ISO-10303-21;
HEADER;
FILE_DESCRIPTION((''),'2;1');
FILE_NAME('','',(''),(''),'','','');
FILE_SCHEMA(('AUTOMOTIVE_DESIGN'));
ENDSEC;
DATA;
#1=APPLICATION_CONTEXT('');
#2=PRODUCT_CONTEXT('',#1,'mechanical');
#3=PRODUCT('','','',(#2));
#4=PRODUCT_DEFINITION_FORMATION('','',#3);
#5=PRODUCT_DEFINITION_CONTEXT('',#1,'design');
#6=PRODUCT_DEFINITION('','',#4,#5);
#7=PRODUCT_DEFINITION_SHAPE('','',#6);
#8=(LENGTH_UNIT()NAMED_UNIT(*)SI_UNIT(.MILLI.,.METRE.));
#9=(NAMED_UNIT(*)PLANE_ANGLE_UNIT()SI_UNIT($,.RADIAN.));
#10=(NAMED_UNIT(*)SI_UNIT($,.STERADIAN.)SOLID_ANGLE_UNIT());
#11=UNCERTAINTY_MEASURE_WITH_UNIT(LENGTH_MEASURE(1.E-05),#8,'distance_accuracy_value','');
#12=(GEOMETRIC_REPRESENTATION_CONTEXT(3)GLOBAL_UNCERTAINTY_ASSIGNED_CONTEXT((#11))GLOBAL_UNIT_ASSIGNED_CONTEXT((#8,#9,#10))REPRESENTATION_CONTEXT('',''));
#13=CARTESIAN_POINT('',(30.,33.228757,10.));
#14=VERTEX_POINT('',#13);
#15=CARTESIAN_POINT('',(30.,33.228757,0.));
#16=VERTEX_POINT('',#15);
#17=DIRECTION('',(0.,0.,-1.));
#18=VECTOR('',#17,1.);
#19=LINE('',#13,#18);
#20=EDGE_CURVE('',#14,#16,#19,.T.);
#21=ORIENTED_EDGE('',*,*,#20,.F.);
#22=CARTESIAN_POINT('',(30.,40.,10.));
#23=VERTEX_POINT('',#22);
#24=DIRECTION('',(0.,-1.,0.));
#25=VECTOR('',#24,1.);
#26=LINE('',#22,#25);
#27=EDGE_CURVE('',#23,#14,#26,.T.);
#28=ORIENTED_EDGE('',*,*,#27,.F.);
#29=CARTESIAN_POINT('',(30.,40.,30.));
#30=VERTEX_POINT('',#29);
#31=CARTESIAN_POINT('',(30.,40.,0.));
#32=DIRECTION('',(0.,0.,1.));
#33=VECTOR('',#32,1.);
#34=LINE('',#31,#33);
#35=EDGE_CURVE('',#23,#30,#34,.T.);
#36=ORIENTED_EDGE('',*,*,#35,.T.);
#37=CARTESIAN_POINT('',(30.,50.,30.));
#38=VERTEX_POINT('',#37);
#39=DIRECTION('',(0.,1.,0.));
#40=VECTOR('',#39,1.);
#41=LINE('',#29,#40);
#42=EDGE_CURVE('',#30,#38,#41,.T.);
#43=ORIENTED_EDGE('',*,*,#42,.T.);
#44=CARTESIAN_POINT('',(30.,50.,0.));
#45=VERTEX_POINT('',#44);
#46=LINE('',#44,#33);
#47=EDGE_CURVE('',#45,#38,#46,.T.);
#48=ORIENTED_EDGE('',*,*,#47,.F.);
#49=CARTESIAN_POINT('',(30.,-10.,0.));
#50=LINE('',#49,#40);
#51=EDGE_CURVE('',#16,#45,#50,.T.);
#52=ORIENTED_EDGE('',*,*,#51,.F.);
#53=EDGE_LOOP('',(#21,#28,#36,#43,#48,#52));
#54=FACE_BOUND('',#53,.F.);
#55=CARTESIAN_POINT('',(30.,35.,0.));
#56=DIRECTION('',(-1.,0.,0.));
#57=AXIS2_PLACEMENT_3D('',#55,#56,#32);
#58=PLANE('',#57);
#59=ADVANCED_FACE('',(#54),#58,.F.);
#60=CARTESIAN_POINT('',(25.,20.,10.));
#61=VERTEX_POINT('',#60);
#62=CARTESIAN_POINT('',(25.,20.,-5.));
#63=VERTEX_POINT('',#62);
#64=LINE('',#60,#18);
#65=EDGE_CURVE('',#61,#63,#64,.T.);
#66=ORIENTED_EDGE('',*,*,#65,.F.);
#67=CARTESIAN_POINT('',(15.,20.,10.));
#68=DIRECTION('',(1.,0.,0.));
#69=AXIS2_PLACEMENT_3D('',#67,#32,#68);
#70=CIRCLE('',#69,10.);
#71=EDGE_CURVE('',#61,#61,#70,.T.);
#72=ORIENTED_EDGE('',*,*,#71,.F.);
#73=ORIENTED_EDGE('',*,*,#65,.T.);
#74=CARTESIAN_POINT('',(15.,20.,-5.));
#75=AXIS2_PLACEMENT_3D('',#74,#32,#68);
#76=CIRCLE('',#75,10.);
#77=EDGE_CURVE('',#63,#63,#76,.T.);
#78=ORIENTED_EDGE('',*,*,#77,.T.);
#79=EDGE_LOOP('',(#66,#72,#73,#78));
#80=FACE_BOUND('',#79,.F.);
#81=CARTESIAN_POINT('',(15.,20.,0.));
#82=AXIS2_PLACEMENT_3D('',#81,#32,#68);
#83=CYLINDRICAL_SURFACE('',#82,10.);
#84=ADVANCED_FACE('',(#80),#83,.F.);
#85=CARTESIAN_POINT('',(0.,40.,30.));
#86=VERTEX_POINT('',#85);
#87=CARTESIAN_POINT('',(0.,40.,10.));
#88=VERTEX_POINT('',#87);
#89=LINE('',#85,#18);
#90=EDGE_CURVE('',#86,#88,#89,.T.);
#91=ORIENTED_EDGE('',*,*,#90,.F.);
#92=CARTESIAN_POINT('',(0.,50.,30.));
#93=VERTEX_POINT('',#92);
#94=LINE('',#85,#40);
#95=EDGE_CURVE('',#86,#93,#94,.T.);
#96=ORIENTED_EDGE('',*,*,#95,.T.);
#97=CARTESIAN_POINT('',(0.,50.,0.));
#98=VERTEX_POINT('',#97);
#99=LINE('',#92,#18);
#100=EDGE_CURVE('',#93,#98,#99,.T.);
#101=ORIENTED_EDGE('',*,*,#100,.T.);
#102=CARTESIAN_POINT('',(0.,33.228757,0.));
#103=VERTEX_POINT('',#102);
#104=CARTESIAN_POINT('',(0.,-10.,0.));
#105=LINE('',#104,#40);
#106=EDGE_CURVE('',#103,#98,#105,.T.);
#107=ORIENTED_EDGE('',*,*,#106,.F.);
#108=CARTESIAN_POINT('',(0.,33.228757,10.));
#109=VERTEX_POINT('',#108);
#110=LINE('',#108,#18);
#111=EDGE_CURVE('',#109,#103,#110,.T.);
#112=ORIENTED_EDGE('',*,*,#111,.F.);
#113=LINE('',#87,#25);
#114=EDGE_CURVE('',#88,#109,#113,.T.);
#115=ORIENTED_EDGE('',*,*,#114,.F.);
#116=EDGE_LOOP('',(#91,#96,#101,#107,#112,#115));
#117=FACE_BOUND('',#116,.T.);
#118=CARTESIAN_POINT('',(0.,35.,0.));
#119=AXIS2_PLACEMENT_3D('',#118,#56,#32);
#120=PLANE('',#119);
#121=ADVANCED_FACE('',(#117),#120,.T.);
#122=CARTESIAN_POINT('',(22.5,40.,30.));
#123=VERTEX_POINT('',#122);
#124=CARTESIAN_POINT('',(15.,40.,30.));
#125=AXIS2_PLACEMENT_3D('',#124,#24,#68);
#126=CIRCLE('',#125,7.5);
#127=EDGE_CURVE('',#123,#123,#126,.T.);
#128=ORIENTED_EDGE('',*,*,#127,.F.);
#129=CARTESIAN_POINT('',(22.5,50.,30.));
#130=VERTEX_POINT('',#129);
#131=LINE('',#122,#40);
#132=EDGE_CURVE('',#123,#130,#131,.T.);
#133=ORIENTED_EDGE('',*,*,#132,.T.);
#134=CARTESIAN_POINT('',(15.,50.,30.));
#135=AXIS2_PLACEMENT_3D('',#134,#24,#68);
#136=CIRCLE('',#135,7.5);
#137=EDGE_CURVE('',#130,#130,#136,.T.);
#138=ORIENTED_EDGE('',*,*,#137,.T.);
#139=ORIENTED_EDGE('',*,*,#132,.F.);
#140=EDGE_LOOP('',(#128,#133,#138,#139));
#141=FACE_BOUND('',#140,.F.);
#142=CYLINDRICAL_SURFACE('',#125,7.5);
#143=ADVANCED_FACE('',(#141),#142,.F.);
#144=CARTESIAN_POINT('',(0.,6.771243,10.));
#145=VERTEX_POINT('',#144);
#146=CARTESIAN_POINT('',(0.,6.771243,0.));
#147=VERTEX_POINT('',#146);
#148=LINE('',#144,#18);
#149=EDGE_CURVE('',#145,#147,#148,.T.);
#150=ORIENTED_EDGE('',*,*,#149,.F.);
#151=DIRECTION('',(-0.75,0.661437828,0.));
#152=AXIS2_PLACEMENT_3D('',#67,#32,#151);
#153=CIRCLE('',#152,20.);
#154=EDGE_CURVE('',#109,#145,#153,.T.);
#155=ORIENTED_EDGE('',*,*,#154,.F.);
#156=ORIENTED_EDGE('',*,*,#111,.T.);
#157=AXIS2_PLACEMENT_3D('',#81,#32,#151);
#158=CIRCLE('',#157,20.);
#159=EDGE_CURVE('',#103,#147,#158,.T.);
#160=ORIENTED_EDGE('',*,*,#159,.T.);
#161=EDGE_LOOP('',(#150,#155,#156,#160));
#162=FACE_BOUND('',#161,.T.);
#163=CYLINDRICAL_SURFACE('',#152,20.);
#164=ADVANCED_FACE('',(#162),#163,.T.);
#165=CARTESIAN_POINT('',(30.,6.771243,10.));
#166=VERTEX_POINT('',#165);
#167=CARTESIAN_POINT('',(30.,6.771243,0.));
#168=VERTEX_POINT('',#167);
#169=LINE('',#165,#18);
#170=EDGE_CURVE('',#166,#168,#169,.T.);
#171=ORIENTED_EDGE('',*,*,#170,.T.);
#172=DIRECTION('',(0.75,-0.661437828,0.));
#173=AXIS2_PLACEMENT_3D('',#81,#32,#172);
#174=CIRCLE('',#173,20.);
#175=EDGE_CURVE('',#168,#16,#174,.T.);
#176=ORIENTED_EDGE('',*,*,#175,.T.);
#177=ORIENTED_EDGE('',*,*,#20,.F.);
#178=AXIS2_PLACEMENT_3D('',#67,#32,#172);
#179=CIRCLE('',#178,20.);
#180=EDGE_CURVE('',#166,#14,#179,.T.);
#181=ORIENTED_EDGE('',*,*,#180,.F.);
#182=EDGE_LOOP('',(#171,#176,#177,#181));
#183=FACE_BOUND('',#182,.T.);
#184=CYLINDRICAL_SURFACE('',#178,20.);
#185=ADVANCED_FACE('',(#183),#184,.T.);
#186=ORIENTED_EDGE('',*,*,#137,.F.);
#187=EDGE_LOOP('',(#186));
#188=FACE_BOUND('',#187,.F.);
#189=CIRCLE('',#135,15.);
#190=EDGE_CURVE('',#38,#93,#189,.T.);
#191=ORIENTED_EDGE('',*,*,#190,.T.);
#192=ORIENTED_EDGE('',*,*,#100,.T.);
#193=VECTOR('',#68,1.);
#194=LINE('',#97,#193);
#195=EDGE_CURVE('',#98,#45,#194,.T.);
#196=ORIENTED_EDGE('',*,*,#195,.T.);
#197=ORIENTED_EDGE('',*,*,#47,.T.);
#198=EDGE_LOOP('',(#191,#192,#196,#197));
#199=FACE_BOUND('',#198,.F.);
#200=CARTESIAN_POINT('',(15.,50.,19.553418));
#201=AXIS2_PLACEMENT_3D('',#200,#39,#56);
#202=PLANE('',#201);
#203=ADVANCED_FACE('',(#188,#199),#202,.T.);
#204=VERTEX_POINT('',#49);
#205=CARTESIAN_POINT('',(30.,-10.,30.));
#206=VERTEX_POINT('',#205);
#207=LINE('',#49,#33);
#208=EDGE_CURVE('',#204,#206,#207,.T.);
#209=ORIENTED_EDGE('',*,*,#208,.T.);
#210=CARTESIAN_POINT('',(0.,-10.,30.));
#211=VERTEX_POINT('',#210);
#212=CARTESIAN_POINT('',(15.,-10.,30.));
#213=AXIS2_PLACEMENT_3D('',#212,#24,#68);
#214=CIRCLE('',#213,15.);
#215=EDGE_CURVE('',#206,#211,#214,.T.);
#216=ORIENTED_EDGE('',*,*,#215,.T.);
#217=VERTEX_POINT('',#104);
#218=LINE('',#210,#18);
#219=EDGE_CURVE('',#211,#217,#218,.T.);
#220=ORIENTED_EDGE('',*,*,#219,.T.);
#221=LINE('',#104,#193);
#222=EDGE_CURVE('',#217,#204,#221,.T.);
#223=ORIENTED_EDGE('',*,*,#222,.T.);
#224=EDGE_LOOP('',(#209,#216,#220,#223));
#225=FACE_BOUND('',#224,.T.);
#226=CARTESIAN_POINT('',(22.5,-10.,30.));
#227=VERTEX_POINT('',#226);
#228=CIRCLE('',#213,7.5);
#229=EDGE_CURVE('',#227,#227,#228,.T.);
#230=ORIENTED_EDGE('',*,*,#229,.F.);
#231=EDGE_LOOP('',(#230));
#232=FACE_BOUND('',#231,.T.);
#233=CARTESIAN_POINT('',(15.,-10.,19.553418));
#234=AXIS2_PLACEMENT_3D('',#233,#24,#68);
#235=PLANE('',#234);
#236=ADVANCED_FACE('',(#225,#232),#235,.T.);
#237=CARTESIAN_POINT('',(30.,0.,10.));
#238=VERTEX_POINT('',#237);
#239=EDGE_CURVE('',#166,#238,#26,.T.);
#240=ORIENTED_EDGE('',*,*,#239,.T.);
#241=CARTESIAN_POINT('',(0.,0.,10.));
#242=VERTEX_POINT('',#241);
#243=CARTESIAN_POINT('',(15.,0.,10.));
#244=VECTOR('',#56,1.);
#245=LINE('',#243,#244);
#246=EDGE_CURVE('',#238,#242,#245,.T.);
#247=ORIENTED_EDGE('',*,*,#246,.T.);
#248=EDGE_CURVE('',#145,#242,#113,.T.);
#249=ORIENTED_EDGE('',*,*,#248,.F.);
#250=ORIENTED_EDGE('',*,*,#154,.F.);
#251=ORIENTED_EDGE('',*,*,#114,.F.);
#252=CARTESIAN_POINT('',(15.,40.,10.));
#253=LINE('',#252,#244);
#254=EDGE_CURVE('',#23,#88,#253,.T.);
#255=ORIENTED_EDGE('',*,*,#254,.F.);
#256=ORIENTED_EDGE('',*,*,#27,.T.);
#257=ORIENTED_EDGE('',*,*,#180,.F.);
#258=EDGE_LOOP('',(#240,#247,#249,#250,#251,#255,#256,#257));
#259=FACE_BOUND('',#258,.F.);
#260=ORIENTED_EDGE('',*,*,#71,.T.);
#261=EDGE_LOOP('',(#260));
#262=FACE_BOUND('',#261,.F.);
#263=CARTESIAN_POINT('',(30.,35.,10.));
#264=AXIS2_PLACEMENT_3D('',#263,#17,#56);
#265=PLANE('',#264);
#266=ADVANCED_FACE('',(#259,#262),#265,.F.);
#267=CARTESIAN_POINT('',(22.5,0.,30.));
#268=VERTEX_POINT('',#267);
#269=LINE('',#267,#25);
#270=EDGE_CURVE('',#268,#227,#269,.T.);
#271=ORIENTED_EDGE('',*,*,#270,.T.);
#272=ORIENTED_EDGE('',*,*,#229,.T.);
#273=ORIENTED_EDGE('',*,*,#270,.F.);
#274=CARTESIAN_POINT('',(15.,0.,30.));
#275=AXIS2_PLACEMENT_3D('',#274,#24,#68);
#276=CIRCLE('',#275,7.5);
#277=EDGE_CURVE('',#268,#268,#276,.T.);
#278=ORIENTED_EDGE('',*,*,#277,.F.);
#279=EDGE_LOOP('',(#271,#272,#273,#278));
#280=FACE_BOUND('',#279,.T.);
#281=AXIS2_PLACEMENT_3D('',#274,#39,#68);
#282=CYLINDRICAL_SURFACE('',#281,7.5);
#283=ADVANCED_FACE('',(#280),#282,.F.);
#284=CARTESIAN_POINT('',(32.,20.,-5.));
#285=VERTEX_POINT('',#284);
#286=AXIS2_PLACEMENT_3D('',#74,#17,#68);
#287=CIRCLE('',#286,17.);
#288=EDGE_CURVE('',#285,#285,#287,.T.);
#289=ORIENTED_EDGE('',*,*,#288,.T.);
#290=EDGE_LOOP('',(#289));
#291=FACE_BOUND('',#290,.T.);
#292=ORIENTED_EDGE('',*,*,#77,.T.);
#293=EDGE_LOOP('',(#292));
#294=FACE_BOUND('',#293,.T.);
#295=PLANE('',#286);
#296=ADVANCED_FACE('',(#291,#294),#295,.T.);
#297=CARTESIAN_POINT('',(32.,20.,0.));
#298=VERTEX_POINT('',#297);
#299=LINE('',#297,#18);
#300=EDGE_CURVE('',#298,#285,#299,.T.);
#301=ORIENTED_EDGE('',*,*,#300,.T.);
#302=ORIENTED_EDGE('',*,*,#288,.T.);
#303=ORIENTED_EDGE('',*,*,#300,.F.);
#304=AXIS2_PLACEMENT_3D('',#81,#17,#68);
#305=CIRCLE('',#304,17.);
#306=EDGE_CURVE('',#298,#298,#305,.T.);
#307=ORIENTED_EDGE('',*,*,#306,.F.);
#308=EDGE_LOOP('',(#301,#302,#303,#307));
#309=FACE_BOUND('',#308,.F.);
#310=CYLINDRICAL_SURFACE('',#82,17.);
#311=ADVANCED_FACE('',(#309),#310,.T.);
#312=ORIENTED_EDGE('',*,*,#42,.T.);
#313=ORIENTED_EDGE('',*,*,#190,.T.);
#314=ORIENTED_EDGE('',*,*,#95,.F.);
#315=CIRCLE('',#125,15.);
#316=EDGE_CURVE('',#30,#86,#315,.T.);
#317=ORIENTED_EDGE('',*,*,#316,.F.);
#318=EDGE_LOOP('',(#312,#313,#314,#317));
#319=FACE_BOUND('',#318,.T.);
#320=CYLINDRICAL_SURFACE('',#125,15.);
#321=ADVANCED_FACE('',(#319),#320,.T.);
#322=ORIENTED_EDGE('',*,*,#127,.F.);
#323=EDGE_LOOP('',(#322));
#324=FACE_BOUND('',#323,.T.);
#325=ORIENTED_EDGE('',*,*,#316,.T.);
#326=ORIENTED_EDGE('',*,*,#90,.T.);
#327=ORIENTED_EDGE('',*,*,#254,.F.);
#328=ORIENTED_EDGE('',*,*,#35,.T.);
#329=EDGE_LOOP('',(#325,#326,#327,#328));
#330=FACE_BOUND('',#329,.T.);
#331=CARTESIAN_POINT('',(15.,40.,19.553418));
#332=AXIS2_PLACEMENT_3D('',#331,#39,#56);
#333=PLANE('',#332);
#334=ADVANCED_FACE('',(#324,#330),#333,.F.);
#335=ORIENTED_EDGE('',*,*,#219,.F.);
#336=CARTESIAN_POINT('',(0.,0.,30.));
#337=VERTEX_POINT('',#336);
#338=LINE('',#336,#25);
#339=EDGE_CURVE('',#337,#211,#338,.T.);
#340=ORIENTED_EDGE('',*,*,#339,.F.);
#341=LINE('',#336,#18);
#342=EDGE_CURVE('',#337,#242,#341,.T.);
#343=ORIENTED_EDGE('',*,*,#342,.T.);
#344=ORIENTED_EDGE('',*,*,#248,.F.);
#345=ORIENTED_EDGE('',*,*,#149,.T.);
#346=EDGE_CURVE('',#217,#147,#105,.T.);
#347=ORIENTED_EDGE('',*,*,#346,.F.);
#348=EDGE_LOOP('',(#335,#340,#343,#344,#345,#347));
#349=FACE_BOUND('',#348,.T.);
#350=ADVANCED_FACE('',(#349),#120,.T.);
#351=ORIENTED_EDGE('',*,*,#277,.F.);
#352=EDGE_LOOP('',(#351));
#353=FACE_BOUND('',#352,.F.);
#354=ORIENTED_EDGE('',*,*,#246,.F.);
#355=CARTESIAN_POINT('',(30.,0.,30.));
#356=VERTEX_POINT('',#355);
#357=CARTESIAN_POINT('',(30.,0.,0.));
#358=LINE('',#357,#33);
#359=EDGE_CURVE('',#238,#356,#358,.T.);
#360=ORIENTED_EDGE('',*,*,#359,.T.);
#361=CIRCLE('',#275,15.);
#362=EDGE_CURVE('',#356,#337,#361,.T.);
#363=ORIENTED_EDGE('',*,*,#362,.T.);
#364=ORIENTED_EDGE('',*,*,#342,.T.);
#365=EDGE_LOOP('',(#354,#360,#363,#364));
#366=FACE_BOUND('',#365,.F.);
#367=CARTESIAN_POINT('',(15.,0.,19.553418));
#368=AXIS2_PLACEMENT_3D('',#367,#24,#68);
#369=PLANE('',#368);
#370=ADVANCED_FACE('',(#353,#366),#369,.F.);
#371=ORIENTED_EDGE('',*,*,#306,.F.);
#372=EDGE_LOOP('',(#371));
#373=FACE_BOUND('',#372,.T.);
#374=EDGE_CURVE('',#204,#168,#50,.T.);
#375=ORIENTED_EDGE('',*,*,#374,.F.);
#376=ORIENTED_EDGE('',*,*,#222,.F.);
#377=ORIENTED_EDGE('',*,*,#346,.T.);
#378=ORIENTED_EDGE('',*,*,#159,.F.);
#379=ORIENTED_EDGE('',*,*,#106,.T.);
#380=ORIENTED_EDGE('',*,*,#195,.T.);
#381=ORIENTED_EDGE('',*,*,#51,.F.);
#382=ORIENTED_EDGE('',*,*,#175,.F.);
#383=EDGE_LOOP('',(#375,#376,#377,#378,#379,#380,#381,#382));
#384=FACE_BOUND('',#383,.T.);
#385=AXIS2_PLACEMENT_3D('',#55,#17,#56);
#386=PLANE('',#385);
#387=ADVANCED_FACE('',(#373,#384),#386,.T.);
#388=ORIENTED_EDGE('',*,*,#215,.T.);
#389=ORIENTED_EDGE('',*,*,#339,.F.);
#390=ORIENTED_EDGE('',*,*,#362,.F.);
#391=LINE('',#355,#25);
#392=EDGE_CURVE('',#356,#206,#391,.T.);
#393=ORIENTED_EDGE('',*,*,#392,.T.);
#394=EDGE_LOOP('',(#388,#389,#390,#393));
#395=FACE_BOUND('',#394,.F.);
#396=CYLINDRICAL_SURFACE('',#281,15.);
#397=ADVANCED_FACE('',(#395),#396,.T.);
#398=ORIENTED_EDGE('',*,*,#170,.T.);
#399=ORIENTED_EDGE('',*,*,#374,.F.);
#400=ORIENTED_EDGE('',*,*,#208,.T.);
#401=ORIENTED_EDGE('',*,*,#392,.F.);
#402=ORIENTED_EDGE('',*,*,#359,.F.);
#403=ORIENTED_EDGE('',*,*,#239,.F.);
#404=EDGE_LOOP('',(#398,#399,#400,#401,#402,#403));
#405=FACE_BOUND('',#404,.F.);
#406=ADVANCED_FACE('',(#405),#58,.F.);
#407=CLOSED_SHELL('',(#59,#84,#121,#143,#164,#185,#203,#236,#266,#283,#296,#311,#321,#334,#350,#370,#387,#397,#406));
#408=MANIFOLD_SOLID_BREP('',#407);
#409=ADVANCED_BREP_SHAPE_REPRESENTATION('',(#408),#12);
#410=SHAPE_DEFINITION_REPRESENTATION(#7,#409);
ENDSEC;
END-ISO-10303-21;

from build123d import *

# Parameters (mm, degrees)
F0_R      = 7.5
F1_DEPTH  = 10
F2_W      = 30
F2_H      = 10
F3_DEPTH  = 5
F6_DEPTH  = 30
F7_R      = 10
F8_DEPTH  = 10
F10_DEPTH = 10
F11_R     = 17
F12_DEPTH = 5
F13_DEPTH = 5


with BuildPart() as f1:
    # F0 (on Front) → F1 (new body)
    with BuildSketch(Plane.XZ):
        with BuildLine():
            Line((0, 30), (0, 0))
            Line((0, 0), (30, 0))
            Line((30, 0), (30, 30))
            ThreePointArc((30, 30), (15, 45), (0, 30))
        make_face()
        with Locations((15, 30)):
            Circle(F0_R, mode=Mode.SUBTRACT)
    extrude(amount=F1_DEPTH)

    # F2 (on face) → F3 (join)
    with BuildSketch(Plane(origin=(0, 0, 0), x_dir=(-1, 0, 0), z_dir=(0, 1, 0))):
        with Locations((-15, 5)):
            Rectangle(F2_W, F2_H)
    extrude(amount=F3_DEPTH)


with BuildPart() as f5_1:
    # F5: instance of F1
    add(f1.part.mirror(Plane(origin=(15, 20, 5), x_dir=(-1, 0, 0), z_dir=(0, 1, 0))))


with BuildPart() as f1_1:
    add(f1.part)

    # F6 (add, through all): a face of the model
    f6_faces = [f5_1.part.faces().sort_by_distance(p)[0] for p in [
        (15, 35, 5),
    ]]

    add(f5_1.part)  # F6 merges F5_1
    extrude(f6_faces, amount=F6_DEPTH)

    # F7 (on face) → F8 (cut, through all)
    with BuildSketch(Plane.XY.offset(10)):
        with Locations((15, 20)):
            Circle(F7_R)
    extrude(amount=-F8_DEPTH, mode=Mode.SUBTRACT)

    # F9 (on face) → F10 (join)
    with BuildSketch(Plane.XY.offset(10)):
        with BuildLine():
            Line((0, 6.7712434447), (0, 33.2287565553))
            ThreePointArc((0, 33.2287565553), (-5, 20), (0, 6.7712434447))
        make_face()
        with BuildLine():
            ThreePointArc((30, 6.7712434447), (35, 20), (30, 33.2287565553))
            Line((30, 33.2287565553), (30, 6.7712434447))
        make_face()
    extrude(amount=-F10_DEPTH)

    # F11 (on face) → F12 (join)
    with BuildSketch(Plane(origin=(0, 0, 0), x_dir=(1, 0, 0), z_dir=(0, 0, -1))):
        with Locations((15, -20)):
            Circle(F11_R)
    extrude(amount=F12_DEPTH)

    # F13 (cut, through all): a face of the model
    f13_faces = [f1_1.faces().sort_by_distance(p)[0] for p in [
        (15, 20, 0),
    ]]
    extrude(f13_faces, amount=-F13_DEPTH, mode=Mode.SUBTRACT)


solid = f1_1.part
